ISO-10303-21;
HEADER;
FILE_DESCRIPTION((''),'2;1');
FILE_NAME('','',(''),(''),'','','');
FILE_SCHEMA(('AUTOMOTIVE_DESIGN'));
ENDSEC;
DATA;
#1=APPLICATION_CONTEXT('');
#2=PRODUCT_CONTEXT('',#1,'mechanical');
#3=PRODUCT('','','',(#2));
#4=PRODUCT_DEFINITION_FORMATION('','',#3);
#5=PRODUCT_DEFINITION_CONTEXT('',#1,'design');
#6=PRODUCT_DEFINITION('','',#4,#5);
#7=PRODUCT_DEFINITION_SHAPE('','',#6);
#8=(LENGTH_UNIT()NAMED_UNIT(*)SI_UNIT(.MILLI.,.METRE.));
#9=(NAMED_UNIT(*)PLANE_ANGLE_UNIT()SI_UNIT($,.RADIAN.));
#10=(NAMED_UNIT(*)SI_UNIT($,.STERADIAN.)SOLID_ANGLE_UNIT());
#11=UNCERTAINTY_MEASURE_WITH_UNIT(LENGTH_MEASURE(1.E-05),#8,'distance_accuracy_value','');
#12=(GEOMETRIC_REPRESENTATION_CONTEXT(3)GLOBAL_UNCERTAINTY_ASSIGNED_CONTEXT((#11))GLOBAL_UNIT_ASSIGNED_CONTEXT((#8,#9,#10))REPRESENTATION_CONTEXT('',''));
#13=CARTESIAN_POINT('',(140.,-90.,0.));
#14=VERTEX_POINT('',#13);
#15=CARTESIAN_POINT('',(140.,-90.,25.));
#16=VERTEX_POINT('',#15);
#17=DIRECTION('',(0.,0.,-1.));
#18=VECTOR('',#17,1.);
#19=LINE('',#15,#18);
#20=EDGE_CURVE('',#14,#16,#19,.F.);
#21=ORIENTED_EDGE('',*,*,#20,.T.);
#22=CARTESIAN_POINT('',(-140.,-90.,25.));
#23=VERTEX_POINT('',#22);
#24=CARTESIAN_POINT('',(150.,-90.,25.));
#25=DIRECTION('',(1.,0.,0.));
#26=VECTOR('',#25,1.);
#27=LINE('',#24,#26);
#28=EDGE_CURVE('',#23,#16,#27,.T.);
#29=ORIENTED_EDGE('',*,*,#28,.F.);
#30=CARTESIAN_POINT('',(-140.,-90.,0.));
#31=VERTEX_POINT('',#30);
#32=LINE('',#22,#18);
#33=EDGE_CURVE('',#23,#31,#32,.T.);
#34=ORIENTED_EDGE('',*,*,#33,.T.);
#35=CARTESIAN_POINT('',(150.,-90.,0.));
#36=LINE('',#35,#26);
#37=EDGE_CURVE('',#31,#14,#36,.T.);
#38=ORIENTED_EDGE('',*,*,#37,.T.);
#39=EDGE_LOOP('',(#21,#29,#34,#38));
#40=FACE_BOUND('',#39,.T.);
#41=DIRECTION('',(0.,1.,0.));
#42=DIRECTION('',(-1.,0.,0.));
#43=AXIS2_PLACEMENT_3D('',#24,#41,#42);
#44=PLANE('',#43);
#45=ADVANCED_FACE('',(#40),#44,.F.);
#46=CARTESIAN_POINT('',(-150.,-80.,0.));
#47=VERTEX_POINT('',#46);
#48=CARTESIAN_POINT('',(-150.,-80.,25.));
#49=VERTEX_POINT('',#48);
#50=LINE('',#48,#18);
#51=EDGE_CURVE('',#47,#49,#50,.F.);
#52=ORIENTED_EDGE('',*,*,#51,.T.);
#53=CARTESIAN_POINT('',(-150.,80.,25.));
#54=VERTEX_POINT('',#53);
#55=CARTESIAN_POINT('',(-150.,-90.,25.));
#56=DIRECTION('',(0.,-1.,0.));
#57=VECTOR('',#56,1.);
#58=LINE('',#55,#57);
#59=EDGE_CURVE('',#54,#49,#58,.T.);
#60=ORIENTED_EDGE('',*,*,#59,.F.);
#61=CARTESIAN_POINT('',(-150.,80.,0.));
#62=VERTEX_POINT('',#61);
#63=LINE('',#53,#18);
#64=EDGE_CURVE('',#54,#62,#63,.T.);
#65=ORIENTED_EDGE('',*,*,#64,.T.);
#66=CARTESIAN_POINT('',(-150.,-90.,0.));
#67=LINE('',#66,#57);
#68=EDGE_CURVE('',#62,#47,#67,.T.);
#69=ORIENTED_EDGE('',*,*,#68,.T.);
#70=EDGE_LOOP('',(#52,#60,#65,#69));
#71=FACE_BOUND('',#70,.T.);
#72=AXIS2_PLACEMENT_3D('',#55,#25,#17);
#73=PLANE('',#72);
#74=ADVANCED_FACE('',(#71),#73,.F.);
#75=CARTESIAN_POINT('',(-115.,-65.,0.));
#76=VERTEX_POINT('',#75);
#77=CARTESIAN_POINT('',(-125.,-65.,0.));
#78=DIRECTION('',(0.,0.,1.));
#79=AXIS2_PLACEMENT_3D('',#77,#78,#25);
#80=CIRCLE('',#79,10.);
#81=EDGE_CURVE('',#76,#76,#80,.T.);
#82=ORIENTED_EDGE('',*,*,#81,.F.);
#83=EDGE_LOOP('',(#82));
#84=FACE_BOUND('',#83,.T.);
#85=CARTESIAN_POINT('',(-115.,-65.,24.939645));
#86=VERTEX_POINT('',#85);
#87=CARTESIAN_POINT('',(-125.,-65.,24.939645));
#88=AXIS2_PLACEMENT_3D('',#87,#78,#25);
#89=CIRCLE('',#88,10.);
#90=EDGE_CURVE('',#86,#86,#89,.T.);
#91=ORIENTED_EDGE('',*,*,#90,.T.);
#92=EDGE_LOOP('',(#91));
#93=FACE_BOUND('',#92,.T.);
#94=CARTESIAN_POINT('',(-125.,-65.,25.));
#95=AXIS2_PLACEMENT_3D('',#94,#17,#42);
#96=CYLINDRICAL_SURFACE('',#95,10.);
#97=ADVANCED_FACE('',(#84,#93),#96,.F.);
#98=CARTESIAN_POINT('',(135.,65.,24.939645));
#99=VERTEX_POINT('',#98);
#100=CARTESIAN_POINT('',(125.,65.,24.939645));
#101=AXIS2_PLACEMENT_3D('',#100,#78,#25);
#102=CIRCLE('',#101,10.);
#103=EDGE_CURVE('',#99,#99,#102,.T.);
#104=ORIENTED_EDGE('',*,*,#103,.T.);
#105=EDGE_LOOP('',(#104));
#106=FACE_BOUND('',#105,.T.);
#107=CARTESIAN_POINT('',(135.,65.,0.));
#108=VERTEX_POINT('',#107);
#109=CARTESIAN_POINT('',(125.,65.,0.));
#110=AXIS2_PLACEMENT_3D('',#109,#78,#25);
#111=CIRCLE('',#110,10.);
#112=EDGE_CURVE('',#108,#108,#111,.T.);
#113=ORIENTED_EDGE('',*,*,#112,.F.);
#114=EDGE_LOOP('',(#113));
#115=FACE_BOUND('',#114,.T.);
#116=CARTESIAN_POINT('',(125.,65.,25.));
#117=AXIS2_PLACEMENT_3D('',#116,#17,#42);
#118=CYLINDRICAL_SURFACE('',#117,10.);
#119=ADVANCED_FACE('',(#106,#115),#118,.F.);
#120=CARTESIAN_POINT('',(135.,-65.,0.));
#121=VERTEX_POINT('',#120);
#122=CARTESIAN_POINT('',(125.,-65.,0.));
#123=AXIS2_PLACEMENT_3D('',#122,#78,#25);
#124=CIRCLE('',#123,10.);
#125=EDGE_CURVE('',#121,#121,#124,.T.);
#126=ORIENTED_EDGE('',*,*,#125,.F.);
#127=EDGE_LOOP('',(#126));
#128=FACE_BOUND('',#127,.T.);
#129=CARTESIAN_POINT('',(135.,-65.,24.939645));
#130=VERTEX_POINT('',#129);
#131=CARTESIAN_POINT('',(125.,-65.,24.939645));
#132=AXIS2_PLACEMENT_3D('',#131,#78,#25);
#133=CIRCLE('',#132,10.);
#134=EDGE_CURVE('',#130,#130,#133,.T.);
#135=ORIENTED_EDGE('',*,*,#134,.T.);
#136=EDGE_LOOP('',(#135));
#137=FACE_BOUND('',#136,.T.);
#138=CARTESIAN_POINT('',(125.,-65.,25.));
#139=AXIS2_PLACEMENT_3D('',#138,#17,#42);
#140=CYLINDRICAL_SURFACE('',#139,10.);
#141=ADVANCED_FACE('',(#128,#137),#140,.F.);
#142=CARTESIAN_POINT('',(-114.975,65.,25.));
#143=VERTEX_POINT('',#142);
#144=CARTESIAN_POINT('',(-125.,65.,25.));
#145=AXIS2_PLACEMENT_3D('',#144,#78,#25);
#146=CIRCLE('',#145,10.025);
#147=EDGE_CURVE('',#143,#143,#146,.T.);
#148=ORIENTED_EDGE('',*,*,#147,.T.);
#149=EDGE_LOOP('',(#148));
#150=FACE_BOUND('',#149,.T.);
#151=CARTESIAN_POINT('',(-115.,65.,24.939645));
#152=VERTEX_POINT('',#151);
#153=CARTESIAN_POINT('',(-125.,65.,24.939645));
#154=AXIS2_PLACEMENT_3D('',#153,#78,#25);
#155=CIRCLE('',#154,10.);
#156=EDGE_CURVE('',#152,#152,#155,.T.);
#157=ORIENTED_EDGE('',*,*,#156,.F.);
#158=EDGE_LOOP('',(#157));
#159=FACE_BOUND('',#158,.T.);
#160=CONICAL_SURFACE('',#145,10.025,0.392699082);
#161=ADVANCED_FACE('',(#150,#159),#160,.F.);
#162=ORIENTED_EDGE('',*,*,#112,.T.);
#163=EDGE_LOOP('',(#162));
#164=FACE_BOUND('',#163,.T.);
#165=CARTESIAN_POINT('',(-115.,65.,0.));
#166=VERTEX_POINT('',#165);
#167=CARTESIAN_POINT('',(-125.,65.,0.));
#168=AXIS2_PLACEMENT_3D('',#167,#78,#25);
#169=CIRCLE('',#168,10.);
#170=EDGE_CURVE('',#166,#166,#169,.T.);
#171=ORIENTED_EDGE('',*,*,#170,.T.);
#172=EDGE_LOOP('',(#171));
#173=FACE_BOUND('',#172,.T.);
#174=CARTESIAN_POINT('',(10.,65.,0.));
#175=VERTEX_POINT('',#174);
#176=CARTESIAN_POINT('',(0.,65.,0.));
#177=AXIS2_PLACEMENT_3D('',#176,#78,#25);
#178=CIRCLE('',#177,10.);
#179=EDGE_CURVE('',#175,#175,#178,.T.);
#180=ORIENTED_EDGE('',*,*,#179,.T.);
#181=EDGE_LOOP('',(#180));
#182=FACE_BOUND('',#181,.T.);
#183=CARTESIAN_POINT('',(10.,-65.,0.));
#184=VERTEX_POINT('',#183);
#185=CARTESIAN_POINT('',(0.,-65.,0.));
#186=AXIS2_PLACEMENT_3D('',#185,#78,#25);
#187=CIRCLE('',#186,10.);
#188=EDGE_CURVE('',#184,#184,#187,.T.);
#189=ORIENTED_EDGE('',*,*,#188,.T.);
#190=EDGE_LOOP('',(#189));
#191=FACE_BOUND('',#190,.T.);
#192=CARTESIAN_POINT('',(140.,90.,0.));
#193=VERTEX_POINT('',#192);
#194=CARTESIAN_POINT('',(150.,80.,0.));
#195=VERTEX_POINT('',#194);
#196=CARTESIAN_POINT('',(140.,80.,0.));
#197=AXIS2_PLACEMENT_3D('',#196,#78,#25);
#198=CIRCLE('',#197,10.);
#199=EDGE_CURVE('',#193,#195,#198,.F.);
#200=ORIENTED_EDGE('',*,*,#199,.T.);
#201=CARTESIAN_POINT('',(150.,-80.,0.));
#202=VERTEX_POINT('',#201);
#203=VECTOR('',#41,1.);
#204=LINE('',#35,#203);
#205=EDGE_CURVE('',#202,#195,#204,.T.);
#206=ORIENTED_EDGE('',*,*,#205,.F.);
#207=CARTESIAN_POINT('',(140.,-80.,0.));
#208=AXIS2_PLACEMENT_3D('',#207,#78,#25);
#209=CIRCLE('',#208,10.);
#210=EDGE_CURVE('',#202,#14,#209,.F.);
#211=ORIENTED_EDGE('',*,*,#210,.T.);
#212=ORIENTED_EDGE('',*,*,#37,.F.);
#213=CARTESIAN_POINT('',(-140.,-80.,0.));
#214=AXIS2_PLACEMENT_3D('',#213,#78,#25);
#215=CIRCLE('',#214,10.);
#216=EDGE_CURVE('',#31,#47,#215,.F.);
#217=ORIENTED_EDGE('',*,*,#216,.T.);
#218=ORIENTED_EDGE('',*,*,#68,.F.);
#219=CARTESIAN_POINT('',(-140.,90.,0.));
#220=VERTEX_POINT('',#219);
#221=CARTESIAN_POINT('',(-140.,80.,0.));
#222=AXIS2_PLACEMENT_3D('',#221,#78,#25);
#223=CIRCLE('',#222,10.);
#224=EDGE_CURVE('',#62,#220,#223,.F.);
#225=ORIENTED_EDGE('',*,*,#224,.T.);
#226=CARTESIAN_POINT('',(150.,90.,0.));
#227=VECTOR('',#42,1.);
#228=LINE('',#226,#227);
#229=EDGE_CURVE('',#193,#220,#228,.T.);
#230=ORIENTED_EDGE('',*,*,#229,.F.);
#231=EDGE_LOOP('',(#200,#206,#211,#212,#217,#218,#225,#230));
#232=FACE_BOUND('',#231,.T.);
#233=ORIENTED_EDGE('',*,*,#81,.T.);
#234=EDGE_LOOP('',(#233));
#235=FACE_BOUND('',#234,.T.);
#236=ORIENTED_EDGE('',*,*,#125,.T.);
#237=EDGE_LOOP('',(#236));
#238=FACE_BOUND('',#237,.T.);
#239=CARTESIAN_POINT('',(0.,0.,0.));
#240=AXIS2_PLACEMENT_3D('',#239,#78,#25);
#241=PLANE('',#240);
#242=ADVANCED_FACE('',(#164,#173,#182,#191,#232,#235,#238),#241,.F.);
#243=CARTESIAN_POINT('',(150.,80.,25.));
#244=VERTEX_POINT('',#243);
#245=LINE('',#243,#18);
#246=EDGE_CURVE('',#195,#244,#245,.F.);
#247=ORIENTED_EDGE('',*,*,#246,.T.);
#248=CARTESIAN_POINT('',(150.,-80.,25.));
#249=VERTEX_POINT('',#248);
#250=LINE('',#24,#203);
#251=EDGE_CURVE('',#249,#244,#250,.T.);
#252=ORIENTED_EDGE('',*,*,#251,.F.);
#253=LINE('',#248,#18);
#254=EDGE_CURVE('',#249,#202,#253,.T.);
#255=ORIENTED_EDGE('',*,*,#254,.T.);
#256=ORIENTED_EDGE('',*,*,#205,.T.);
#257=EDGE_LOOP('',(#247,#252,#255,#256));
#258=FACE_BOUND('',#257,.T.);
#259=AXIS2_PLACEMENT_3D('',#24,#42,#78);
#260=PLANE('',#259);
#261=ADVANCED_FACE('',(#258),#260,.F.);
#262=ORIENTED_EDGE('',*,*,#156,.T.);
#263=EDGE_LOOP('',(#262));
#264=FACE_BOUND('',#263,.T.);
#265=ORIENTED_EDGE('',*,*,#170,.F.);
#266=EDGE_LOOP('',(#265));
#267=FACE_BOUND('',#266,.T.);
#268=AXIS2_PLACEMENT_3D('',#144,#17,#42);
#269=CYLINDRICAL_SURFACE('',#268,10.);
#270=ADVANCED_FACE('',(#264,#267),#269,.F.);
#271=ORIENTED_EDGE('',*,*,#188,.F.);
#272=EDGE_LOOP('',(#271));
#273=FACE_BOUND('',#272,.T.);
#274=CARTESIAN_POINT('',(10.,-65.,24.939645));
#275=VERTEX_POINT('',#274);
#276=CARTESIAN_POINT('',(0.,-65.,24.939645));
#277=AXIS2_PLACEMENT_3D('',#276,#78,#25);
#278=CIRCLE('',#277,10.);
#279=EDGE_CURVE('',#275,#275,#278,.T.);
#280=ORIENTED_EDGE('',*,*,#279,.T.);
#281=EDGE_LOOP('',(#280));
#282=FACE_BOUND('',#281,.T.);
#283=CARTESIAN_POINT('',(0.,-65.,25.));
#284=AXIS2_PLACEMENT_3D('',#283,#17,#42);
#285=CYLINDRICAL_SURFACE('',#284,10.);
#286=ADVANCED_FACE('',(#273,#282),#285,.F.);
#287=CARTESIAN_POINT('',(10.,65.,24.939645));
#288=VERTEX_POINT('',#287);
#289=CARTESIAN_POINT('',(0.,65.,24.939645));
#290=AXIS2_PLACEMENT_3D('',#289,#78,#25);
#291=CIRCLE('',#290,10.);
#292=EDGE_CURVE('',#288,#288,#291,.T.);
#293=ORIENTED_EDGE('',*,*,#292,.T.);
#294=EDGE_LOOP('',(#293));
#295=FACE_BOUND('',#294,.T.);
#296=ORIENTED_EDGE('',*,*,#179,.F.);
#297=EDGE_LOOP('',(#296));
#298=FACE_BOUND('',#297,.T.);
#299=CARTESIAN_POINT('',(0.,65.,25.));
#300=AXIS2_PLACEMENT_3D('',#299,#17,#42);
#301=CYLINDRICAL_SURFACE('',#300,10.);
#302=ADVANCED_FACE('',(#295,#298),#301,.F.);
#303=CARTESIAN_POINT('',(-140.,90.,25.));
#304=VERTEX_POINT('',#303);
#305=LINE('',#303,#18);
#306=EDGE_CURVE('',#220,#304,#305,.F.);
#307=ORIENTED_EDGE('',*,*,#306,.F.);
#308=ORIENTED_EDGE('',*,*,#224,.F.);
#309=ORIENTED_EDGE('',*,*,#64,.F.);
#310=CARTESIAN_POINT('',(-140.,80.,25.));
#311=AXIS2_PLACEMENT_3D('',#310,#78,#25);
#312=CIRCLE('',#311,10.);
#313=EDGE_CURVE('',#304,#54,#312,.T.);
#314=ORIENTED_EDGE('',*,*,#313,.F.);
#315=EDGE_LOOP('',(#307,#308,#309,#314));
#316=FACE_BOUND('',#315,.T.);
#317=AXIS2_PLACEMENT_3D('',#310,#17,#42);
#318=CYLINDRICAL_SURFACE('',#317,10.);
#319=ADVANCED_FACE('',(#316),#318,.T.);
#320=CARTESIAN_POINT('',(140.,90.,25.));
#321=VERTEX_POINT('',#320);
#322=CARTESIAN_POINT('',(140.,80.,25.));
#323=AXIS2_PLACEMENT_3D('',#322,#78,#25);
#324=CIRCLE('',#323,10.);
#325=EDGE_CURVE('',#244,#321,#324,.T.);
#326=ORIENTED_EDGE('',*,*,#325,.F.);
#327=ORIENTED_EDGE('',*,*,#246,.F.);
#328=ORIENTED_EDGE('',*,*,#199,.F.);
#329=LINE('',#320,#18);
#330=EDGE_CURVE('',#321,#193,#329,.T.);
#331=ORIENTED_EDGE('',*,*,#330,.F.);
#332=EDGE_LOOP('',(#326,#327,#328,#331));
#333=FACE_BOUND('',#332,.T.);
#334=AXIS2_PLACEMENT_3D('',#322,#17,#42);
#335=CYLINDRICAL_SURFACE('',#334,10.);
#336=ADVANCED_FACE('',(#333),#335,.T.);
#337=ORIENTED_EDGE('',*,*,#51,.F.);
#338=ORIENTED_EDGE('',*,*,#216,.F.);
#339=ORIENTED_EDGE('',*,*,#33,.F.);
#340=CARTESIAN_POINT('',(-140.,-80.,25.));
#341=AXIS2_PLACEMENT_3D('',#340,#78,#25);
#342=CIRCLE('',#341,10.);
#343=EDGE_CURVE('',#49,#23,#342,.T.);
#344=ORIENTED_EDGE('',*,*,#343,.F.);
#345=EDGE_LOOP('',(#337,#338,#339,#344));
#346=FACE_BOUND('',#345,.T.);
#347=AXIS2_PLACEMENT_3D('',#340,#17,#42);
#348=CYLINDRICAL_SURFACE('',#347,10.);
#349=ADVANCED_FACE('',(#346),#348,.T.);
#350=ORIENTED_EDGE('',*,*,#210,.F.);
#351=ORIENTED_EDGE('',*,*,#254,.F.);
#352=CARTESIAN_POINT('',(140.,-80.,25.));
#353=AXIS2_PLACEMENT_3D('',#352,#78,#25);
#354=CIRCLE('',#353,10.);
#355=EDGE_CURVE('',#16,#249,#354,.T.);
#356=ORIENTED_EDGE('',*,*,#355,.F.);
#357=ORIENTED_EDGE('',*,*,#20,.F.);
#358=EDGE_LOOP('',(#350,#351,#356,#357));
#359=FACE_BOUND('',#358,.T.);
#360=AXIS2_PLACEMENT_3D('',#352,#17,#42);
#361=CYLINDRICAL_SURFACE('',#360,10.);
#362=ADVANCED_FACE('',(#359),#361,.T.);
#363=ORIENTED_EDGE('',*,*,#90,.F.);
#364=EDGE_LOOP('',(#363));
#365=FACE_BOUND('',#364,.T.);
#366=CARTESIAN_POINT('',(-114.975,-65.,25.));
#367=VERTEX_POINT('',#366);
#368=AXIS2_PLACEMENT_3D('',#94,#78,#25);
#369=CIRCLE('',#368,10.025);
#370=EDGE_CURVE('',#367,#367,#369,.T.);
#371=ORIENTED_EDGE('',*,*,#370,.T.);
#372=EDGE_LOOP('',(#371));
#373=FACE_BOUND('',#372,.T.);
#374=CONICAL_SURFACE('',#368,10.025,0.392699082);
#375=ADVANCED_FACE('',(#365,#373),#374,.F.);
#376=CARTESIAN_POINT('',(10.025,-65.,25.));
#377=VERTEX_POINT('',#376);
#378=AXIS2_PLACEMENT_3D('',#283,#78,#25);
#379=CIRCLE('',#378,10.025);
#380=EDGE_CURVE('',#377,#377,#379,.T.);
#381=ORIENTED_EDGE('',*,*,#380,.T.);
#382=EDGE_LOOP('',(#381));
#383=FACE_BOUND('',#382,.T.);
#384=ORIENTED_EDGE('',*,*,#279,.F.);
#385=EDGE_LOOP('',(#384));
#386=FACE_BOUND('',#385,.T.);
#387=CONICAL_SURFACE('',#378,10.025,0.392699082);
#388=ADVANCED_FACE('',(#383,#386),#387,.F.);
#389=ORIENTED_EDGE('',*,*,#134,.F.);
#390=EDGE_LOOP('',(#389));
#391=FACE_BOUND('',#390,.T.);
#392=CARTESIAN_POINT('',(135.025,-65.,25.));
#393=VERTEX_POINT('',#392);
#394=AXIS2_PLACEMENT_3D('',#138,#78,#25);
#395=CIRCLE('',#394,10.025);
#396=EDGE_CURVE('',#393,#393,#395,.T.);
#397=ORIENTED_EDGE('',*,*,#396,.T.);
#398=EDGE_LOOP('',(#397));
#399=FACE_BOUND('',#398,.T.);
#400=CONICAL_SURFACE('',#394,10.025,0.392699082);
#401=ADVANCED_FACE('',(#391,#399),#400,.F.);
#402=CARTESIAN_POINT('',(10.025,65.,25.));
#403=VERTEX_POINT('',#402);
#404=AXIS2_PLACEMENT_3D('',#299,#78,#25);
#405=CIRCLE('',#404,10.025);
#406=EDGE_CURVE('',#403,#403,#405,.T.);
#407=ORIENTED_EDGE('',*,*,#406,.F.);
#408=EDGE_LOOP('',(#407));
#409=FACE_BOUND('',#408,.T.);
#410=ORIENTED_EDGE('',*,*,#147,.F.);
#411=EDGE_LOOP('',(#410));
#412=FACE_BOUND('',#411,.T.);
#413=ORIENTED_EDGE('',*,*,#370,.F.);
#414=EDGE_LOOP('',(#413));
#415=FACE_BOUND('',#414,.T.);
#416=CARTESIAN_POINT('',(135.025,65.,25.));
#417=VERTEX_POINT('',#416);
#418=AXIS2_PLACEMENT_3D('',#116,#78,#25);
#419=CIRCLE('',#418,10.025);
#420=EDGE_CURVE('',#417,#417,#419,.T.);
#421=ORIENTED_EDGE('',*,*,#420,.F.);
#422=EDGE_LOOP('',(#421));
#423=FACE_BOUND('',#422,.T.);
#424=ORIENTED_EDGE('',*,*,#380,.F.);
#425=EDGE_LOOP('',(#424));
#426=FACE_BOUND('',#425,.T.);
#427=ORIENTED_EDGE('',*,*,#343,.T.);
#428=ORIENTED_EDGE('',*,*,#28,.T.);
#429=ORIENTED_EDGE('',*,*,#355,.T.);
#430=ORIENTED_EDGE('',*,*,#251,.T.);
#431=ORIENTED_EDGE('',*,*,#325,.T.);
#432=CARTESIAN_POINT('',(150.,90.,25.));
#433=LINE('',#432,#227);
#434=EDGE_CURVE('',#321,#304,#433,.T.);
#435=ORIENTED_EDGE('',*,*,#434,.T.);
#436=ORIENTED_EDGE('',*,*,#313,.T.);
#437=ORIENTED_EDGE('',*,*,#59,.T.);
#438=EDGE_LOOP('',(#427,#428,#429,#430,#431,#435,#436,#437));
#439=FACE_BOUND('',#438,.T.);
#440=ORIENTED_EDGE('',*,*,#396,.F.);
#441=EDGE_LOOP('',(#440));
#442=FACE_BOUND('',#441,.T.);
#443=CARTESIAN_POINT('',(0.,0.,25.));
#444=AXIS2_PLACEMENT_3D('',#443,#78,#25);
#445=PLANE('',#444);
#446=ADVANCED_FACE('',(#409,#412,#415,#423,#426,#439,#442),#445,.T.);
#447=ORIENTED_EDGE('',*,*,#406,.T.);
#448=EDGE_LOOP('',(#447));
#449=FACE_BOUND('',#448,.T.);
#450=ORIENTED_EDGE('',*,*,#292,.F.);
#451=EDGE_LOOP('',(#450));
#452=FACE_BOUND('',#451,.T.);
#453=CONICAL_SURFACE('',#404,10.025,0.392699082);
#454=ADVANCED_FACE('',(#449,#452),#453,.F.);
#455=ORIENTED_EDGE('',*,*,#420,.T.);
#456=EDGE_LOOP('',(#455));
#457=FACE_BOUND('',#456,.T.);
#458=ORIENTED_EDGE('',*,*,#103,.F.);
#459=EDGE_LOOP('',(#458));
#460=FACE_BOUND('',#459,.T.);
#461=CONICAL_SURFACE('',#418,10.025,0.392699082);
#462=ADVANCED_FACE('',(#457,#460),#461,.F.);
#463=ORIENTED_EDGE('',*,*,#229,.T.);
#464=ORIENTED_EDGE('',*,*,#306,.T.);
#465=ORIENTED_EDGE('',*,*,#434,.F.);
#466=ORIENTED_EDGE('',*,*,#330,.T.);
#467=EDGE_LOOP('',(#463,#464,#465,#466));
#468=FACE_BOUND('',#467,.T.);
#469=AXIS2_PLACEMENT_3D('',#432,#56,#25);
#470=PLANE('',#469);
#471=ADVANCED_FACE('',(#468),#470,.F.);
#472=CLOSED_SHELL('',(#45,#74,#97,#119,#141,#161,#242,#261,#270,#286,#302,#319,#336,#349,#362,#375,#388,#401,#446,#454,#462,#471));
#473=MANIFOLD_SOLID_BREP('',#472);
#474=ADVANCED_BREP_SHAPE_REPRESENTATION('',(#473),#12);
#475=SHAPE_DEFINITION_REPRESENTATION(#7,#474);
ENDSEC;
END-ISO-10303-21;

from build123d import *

# Parameters (mm, degrees)
SKETCH3_W                        = 300
SKETCH3_H                        = 180
SKETCH3_R                        = 10
BOSS_EXTRUDE2_DEPTH              = 25
FILLET1_R                        = 10
FILLET2_R                        = 10
F_20_0MM_DOWEL_HOLE4_D           = 20
F_20_0MM_DOWEL_HOLE4_DEPTH       = 27.005
F_20_0MM_DOWEL_HOLE4_CSINK_D     = 20.05
F_20_0MM_DOWEL_HOLE4_CSINK_ANGLE = 45
F_20_0MM_DOWEL_HOLE4_TIP         = 6.00860619


with BuildPart() as part:
    # Sketch3 → Boss-Extrude2 (new body)
    with BuildSketch(Plane.XY):
        Rectangle(SKETCH3_W, SKETCH3_H)
        with Locations((-125, 65)):
            Circle(SKETCH3_R, mode=Mode.SUBTRACT)
        with Locations((-125, -65)):
            Circle(SKETCH3_R, mode=Mode.SUBTRACT)
        with Locations((0, 65)):
            Circle(SKETCH3_R, mode=Mode.SUBTRACT)
        with Locations((0, -65)):
            Circle(SKETCH3_R, mode=Mode.SUBTRACT)
        with Locations((125, 65)):
            Circle(SKETCH3_R, mode=Mode.SUBTRACT)
        with Locations((125, -65)):
            Circle(SKETCH3_R, mode=Mode.SUBTRACT)
    extrude(amount=BOSS_EXTRUDE2_DEPTH)

    # Fillet1
    fillet1_edges = [part.edges().sort_by_distance(p)[0] for p in [
        (-150, 90, 12.5),
    ]]
    fillet(fillet1_edges, radius=FILLET1_R)

    # Fillet2
    fillet2_edges = [part.edges().sort_by_distance(p)[0] for p in [
        (150, 90, 12.5),
        (150, -90, 12.5),
        (-150, -90, 12.5),
    ]]
    fillet(fillet2_edges, radius=FILLET2_R)

    # Sketch7 → Ø20.0mm Dowel Hole3 (revolve, cut)
    with BuildSketch(Plane(origin=(-125, 65, 25), x_dir=(0, -1, 0), z_dir=(1, 0, 0))):
        Polygon((0, 0), (0, 33.01360619), (10, 27.005), (10, 0.060355339), (10.025, 0), align=None)
    f_20_0mm_dowel_hole3 = revolve(axis=Axis((-125, 65, 31.35), (0, 0, -1)), mode=Mode.SUBTRACT)

    # Mirror2: Ø20.0mm Dowel Hole3 across plane
    add(f_20_0mm_dowel_hole3.mirror(Plane.XY.offset(25)), mode=Mode.SUBTRACT)

    # Ø20.0mm Dowel Hole4
    with Locations(Plane(origin=(-125, 65, 25), x_dir=(1, 0, 0), z_dir=(0, 0, 1))):
        with Locations((0, 0), (0, -130), (125, 0), (125, -130), (250, -130), (250, 0)):
            CounterSinkHole(F_20_0MM_DOWEL_HOLE4_D / 2, F_20_0MM_DOWEL_HOLE4_CSINK_D / 2, depth=F_20_0MM_DOWEL_HOLE4_DEPTH, counter_sink_angle=F_20_0MM_DOWEL_HOLE4_CSINK_ANGLE)
            with Locations((0, 0, -(F_20_0MM_DOWEL_HOLE4_DEPTH + F_20_0MM_DOWEL_HOLE4_TIP / 2))):  # 118° drill point
                Cone(0, F_20_0MM_DOWEL_HOLE4_D / 2, F_20_0MM_DOWEL_HOLE4_TIP, mode=Mode.SUBTRACT)


solid = part.part
